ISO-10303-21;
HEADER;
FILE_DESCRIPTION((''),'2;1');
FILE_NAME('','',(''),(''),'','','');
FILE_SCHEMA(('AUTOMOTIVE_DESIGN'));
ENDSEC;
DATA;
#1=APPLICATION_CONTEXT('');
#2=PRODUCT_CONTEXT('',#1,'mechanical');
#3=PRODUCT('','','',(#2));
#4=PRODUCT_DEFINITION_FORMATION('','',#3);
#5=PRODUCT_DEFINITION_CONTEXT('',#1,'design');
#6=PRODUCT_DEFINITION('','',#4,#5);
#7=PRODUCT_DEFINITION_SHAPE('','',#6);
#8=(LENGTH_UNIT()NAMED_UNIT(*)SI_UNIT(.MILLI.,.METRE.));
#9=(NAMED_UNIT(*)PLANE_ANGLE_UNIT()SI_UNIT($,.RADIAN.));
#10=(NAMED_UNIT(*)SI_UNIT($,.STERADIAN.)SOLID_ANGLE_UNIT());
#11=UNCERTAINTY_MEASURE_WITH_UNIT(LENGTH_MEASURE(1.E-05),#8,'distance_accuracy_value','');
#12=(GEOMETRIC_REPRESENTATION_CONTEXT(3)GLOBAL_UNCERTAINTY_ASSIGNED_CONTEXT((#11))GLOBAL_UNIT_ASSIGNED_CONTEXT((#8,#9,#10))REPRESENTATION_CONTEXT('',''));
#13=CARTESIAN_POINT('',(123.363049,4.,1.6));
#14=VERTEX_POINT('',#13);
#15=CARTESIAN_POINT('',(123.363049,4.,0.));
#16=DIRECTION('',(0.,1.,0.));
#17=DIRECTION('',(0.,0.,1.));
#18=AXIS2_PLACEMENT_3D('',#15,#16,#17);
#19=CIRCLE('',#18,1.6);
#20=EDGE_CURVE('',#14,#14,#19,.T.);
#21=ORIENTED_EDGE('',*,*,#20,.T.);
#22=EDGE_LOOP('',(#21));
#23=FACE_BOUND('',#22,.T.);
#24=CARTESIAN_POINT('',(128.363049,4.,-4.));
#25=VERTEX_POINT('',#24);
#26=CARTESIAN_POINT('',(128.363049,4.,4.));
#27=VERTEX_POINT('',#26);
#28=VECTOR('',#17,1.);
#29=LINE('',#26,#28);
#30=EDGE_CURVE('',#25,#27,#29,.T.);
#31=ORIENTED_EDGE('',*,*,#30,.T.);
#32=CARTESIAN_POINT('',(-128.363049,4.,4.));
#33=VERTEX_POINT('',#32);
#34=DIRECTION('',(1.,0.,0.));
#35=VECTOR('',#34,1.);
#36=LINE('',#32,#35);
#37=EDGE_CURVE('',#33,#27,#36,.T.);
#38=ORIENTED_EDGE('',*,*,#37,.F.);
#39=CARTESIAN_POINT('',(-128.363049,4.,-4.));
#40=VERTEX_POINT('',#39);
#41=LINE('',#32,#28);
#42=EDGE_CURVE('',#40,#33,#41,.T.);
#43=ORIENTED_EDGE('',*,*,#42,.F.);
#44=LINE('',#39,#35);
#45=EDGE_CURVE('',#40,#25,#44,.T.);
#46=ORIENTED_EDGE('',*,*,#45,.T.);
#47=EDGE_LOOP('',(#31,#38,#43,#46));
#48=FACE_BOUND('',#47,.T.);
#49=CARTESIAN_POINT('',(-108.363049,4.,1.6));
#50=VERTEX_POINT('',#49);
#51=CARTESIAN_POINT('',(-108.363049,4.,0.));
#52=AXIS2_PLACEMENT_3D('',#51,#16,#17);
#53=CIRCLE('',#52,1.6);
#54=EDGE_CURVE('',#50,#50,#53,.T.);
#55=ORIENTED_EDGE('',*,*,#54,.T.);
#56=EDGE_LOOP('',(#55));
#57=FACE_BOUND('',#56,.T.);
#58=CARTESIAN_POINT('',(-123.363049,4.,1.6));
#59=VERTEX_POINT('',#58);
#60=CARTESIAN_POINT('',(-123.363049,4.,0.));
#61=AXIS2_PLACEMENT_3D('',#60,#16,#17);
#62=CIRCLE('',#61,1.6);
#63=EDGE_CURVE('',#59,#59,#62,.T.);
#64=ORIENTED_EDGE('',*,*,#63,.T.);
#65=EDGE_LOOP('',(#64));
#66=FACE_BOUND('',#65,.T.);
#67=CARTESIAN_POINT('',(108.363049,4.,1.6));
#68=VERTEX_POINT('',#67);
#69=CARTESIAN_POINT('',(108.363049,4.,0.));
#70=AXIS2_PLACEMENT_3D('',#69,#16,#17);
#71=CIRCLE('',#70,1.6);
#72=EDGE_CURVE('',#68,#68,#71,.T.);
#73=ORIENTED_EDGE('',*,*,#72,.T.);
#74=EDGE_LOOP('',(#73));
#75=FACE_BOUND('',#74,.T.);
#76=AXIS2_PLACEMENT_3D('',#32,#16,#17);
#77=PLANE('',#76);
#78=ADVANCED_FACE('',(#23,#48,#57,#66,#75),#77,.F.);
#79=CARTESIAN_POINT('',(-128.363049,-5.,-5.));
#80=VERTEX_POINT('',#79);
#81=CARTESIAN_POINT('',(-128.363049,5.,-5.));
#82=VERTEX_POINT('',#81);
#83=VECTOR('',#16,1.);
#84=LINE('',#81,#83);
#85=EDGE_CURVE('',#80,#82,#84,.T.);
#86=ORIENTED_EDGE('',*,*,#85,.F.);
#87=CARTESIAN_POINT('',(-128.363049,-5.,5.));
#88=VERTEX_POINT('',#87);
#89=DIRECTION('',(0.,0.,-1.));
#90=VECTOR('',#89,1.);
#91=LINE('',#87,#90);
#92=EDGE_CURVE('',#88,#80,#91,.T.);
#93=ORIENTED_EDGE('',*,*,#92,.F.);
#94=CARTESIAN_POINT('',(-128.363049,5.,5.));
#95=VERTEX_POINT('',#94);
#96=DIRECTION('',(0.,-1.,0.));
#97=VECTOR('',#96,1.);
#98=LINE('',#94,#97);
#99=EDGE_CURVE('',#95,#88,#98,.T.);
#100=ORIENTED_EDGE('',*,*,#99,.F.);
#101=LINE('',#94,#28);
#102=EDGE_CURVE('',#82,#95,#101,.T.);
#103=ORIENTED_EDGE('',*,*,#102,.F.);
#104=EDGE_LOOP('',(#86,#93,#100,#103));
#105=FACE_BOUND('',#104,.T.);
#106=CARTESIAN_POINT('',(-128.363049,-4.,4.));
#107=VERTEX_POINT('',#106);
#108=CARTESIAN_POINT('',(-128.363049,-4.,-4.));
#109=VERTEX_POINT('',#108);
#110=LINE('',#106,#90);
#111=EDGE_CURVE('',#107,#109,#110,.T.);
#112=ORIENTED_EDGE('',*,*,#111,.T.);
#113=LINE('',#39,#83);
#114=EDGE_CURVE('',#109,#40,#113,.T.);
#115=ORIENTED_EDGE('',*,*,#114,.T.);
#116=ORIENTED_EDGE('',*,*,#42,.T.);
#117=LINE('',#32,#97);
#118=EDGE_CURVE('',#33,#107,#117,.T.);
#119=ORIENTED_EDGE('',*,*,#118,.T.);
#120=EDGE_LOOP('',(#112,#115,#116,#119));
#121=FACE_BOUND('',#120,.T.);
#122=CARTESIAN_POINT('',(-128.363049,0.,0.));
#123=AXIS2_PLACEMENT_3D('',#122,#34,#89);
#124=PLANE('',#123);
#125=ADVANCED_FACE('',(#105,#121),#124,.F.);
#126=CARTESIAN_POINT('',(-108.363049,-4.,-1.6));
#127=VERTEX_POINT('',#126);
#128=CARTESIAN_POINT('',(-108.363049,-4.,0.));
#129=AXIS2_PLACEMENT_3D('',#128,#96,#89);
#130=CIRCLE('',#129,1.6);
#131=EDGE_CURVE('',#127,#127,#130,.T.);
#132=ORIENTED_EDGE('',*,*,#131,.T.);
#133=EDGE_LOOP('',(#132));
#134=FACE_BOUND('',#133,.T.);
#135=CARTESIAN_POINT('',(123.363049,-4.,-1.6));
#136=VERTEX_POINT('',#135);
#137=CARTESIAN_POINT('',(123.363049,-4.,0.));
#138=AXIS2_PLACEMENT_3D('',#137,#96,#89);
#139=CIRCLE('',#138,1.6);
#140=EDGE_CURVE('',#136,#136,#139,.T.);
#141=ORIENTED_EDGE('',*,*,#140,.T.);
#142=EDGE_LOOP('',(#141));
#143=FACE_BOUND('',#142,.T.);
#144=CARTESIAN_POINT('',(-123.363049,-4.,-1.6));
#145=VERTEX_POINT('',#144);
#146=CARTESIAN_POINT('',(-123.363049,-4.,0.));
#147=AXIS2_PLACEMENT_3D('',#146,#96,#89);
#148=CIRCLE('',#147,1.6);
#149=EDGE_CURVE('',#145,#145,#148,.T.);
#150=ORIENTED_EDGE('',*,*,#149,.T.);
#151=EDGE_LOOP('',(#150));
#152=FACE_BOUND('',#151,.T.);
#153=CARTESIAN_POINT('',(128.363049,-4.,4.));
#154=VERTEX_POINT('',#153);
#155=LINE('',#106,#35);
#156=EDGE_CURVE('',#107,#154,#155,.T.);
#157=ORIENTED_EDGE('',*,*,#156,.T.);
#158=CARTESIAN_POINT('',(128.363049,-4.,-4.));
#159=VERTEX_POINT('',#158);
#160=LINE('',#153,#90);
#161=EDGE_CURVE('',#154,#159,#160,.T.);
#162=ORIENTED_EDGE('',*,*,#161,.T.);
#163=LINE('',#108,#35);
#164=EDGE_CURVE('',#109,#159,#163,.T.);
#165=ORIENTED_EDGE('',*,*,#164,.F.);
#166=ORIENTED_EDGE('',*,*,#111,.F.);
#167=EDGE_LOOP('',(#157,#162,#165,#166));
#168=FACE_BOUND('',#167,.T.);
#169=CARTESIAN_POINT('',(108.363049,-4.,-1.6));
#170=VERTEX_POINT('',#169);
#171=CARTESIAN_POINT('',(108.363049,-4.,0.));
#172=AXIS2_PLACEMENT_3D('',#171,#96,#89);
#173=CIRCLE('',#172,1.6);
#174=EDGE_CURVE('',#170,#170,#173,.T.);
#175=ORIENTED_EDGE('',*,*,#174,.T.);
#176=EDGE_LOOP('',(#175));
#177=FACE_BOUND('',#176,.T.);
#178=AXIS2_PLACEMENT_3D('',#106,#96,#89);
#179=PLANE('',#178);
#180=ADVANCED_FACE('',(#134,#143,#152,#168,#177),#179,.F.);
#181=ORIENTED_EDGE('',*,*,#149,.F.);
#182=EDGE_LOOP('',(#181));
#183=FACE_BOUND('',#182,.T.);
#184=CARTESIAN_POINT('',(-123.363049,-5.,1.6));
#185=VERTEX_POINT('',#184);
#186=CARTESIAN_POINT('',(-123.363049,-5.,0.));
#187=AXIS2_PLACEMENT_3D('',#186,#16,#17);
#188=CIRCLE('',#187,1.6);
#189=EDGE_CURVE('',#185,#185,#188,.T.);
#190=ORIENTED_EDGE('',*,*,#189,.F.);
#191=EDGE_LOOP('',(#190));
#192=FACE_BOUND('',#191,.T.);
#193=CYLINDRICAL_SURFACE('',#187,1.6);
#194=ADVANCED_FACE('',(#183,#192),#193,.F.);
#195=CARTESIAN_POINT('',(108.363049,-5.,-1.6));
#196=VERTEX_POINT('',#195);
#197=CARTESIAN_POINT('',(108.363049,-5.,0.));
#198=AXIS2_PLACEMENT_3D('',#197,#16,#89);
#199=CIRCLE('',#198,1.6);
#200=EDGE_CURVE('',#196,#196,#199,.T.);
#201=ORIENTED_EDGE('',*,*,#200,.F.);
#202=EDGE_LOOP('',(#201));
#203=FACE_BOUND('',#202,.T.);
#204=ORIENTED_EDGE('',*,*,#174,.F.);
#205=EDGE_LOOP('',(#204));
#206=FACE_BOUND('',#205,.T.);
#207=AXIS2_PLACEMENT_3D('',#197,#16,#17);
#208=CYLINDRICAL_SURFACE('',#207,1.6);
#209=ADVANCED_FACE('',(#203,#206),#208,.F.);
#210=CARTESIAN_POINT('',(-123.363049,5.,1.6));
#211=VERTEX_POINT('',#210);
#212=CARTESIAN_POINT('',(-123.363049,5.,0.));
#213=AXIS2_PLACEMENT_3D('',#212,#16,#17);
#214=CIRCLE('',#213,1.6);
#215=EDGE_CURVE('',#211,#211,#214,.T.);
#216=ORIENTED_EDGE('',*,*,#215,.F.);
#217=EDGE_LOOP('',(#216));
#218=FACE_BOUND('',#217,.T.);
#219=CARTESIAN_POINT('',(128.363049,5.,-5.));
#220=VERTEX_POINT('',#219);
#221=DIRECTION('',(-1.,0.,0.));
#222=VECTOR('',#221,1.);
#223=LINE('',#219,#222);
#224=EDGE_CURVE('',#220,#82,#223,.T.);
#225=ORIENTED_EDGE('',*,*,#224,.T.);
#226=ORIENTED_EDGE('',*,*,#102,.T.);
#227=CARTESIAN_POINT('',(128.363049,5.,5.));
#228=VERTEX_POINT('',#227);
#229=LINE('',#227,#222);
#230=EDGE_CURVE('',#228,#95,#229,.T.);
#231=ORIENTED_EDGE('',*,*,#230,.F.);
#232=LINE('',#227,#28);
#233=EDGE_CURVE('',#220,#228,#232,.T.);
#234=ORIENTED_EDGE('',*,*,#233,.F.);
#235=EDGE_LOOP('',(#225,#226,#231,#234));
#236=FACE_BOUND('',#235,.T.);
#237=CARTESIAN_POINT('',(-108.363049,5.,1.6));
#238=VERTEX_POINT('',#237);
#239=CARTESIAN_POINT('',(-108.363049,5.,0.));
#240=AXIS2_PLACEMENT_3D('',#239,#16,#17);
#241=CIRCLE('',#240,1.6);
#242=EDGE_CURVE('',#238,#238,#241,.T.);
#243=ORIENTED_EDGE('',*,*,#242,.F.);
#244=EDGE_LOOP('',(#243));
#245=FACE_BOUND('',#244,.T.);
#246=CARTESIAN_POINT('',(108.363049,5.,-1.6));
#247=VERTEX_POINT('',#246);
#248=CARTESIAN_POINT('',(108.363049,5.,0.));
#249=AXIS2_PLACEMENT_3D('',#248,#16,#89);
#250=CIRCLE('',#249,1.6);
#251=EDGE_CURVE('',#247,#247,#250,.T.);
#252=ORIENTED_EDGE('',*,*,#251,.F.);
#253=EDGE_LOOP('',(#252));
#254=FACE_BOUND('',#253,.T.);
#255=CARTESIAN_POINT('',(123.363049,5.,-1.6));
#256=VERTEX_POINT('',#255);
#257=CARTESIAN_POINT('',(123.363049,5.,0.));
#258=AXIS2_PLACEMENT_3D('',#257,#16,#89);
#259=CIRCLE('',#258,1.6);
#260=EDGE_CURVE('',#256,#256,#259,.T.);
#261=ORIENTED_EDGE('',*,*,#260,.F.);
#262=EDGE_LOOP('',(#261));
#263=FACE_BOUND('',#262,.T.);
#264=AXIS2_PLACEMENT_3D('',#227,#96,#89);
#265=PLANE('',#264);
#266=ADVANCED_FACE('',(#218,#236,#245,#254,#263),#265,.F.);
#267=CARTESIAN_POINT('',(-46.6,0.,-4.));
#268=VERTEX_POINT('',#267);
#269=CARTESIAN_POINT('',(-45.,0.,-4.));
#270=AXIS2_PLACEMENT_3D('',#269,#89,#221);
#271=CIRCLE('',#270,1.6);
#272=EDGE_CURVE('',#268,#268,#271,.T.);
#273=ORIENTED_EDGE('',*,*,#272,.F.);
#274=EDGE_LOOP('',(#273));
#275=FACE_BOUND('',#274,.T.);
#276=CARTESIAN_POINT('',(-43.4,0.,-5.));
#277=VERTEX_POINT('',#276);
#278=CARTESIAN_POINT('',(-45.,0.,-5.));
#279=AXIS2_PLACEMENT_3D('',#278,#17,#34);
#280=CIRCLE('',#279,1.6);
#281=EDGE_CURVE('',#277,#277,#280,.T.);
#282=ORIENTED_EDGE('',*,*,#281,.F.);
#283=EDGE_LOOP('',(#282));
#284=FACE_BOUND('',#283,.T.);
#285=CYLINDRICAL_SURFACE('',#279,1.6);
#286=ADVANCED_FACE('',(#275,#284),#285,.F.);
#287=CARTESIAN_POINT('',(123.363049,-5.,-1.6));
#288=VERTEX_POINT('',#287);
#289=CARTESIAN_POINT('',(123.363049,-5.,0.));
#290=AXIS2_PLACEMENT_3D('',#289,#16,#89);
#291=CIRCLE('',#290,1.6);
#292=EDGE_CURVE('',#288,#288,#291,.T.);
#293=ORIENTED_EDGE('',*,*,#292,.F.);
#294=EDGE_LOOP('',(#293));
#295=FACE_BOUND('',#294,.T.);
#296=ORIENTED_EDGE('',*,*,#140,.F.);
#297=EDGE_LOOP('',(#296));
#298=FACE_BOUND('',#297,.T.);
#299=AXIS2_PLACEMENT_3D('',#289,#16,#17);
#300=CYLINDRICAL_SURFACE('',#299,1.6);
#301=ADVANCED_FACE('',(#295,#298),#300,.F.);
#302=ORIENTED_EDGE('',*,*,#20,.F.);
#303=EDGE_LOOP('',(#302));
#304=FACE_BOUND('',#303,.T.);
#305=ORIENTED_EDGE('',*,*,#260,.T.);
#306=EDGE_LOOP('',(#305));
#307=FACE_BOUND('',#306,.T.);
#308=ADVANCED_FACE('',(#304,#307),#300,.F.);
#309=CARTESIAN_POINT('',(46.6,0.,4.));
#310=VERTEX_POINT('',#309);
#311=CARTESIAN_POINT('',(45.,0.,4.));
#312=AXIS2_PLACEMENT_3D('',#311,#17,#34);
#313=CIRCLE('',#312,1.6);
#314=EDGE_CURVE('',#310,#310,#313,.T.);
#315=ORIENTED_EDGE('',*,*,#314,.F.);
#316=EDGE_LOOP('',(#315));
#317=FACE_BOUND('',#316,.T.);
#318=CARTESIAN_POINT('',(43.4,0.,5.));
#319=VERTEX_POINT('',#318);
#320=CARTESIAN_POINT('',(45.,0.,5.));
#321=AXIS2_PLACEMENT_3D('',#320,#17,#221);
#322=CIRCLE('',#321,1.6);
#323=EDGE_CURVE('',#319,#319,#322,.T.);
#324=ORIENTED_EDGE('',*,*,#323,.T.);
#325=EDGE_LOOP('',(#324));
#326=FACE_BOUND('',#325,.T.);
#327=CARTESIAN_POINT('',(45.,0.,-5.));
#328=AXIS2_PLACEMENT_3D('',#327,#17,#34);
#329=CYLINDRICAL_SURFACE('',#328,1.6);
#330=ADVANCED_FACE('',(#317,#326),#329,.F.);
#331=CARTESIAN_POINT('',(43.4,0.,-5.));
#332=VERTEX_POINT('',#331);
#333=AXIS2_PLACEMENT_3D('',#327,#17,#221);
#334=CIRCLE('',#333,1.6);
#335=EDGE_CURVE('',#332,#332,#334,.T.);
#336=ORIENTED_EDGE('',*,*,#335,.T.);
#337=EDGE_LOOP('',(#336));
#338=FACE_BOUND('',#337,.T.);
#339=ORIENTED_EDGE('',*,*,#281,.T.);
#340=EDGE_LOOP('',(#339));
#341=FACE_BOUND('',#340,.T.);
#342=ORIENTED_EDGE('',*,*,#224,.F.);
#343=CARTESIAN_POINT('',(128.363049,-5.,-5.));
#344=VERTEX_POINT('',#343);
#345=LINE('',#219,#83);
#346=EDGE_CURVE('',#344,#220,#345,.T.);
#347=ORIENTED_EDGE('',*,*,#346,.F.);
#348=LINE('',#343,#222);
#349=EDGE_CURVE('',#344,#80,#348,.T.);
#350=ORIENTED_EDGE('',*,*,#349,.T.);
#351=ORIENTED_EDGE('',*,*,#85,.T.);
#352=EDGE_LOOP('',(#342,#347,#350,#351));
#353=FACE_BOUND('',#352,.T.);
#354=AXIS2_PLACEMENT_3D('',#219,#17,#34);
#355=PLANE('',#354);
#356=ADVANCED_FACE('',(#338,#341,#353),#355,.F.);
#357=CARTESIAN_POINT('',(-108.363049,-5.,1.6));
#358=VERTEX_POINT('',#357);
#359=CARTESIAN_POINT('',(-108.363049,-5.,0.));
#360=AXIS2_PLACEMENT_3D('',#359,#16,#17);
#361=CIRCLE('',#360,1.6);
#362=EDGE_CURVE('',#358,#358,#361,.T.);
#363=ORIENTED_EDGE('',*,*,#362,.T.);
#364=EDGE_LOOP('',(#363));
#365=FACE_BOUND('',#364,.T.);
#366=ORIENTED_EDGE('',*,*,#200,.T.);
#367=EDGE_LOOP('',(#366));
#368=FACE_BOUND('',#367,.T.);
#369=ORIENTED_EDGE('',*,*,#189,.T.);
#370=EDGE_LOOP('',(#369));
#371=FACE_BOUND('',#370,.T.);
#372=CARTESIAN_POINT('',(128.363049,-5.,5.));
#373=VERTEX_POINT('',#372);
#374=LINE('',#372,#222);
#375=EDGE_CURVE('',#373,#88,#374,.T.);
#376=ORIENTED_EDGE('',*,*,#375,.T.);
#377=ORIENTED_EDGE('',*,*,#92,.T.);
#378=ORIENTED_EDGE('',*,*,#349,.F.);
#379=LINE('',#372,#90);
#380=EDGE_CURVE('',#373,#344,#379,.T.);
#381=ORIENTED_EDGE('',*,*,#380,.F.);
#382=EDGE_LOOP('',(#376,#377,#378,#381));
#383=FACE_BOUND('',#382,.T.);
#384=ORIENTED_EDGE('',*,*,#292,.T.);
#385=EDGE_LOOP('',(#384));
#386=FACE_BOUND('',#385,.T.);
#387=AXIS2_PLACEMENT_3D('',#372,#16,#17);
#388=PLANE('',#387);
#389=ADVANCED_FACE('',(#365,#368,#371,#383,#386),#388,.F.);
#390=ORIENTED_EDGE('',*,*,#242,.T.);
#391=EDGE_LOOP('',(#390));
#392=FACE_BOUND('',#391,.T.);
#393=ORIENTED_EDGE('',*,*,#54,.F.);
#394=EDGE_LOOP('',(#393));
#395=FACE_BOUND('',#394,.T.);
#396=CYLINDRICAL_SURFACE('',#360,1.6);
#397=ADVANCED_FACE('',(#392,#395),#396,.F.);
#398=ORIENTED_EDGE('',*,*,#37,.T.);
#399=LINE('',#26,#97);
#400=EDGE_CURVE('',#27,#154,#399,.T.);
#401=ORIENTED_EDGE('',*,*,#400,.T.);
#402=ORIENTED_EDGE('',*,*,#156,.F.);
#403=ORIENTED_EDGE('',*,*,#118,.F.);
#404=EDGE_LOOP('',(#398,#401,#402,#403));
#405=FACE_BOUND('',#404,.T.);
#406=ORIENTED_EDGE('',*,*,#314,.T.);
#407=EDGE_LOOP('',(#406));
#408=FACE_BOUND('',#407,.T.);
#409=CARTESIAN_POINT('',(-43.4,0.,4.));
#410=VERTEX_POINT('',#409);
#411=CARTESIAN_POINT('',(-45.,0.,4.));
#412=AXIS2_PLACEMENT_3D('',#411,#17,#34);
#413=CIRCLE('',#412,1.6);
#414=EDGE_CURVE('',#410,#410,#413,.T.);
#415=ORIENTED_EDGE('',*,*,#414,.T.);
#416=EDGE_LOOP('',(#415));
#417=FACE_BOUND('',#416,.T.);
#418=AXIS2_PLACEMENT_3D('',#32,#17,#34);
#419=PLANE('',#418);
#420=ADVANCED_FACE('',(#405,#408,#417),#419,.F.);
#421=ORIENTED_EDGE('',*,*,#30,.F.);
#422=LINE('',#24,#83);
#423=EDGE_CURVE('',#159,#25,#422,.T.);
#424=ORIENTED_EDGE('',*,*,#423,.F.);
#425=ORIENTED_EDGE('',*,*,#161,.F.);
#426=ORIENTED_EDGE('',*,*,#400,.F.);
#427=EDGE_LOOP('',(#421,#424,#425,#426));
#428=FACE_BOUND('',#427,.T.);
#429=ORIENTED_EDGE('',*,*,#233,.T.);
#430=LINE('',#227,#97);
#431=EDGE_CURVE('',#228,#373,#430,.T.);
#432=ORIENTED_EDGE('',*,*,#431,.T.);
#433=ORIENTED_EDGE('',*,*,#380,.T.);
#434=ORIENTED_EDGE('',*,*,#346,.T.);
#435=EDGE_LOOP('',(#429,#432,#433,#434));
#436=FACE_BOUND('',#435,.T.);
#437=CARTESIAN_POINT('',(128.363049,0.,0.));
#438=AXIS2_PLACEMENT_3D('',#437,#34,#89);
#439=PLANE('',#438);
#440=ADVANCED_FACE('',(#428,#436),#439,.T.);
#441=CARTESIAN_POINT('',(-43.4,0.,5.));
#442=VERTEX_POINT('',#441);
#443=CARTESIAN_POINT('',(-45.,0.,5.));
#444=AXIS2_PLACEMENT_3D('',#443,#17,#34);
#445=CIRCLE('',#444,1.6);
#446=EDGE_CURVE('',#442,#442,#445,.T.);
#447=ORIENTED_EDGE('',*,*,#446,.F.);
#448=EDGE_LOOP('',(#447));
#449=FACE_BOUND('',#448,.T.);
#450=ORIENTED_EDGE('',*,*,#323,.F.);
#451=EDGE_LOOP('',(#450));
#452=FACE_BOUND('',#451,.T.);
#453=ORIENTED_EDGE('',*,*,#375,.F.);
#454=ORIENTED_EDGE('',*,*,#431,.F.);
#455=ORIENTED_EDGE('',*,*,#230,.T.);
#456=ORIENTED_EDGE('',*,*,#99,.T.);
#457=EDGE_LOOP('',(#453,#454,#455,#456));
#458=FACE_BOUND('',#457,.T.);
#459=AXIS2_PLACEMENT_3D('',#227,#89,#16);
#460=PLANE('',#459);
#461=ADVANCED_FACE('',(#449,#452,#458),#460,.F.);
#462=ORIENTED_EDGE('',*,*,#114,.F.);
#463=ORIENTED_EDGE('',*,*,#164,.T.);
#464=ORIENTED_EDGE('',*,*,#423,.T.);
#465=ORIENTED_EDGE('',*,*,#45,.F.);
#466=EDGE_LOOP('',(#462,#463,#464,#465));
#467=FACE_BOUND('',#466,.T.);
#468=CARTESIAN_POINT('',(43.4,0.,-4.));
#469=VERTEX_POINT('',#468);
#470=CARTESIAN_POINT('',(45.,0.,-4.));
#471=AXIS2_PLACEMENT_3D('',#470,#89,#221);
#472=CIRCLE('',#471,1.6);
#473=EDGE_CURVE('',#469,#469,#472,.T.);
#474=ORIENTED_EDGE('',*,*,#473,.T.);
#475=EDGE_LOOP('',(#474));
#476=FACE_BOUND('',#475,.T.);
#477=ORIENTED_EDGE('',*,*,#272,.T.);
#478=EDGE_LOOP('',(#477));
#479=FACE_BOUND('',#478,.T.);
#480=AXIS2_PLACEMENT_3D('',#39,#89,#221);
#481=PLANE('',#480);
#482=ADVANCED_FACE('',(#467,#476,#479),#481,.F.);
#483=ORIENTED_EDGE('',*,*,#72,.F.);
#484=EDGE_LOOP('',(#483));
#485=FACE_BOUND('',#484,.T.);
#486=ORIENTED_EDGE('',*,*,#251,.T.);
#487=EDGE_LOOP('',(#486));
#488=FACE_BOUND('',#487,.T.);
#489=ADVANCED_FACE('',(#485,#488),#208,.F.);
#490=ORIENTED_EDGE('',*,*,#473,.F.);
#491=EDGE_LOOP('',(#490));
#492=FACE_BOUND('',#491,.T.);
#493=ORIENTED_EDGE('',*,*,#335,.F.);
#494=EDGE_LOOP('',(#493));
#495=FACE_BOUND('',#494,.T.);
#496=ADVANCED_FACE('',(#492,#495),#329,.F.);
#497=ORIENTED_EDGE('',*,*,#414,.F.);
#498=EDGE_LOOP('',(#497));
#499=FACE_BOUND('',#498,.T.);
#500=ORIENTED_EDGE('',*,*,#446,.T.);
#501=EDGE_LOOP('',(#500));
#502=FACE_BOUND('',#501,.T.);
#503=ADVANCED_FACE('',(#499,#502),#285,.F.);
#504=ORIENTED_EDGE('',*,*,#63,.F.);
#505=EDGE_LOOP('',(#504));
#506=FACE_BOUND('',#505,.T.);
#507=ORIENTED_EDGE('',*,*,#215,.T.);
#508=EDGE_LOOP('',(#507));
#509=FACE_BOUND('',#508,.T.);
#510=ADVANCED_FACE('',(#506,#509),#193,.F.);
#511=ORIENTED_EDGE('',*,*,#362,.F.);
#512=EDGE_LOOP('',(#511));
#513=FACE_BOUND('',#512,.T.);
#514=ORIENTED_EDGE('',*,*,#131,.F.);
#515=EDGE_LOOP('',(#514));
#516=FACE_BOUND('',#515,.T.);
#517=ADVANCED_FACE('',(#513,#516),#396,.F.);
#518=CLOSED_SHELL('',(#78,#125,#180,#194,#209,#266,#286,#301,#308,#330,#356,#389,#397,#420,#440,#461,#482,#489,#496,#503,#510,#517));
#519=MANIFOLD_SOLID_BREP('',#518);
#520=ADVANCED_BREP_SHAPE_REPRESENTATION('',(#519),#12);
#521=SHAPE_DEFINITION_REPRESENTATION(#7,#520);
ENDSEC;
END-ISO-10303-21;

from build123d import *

# Parameters (mm, degrees)
SKETCH_1_W          = 10
SKETCH_1_H          = 10
EXTRUDE_1_DEPTH     = 128.363049395
SKETCH_2_W          = 8
SKETCH_2_H          = 8
CUT_EXTRUDE_1_DEPTH = 257.823460377
SKETCH_3_R          = 1.6
CUT_EXTRUDE_2_DEPTH = 129.849029682
SKETCH_4_R          = 1.6
CUT_EXTRUDE_3_DEPTH = 129.849029682


with BuildPart() as part:
    # ｽｹｯﾁ1 → ﾎﾞｽ - 押し出し1 (new, symmetric)
    with BuildSketch(Plane(origin=(0, 0, 0), x_dir=(0, 0, -1), z_dir=(1, 0, 0))):
        Rectangle(SKETCH_1_W, SKETCH_1_H)
    extrude(amount=EXTRUDE_1_DEPTH, both=True)

    # ｽｹｯﾁ2 → ｶｯﾄ - 押し出し1 (cut, through all)
    with BuildSketch(Plane(origin=(128.363049395, 0, 0), x_dir=(0, 0, -1), z_dir=(1, 0, 0))):
        Rectangle(SKETCH_2_W, SKETCH_2_H)
    extrude(amount=-CUT_EXTRUDE_1_DEPTH, mode=Mode.SUBTRACT)

    # ｽｹｯﾁ3 → ｶｯﾄ - 押し出し2 (cut, through all)
    with BuildSketch(Plane(origin=(0, 5, 0), x_dir=(1, 0, 0), z_dir=(0, 1, 0))):
        with Locations(Location((-123.363049395, 0, 0), (0, 0, 270))):
            Circle(SKETCH_3_R)
        with Locations(Location((-108.363049395, 0, 0), (0, 0, 270))):
            Circle(SKETCH_3_R)
        with Locations(Location((108.363049395, 0, 0), (0, 0, 270))):
            Circle(SKETCH_3_R)
        with Locations(Location((123.363049395, 0, 0), (0, 0, 270))):
            Circle(SKETCH_3_R)
    extrude(amount=-CUT_EXTRUDE_2_DEPTH, mode=Mode.SUBTRACT)

    # ｽｹｯﾁ4 → ｶｯﾄ - 押し出し3 (cut, through all)
    with BuildSketch(Plane.XY.offset(5)):
        with Locations((-45, 0)):
            Circle(SKETCH_4_R)
        with Locations((45, 0)):
            Circle(SKETCH_4_R)
    extrude(amount=-CUT_EXTRUDE_3_DEPTH, mode=Mode.SUBTRACT)


solid = part.part
